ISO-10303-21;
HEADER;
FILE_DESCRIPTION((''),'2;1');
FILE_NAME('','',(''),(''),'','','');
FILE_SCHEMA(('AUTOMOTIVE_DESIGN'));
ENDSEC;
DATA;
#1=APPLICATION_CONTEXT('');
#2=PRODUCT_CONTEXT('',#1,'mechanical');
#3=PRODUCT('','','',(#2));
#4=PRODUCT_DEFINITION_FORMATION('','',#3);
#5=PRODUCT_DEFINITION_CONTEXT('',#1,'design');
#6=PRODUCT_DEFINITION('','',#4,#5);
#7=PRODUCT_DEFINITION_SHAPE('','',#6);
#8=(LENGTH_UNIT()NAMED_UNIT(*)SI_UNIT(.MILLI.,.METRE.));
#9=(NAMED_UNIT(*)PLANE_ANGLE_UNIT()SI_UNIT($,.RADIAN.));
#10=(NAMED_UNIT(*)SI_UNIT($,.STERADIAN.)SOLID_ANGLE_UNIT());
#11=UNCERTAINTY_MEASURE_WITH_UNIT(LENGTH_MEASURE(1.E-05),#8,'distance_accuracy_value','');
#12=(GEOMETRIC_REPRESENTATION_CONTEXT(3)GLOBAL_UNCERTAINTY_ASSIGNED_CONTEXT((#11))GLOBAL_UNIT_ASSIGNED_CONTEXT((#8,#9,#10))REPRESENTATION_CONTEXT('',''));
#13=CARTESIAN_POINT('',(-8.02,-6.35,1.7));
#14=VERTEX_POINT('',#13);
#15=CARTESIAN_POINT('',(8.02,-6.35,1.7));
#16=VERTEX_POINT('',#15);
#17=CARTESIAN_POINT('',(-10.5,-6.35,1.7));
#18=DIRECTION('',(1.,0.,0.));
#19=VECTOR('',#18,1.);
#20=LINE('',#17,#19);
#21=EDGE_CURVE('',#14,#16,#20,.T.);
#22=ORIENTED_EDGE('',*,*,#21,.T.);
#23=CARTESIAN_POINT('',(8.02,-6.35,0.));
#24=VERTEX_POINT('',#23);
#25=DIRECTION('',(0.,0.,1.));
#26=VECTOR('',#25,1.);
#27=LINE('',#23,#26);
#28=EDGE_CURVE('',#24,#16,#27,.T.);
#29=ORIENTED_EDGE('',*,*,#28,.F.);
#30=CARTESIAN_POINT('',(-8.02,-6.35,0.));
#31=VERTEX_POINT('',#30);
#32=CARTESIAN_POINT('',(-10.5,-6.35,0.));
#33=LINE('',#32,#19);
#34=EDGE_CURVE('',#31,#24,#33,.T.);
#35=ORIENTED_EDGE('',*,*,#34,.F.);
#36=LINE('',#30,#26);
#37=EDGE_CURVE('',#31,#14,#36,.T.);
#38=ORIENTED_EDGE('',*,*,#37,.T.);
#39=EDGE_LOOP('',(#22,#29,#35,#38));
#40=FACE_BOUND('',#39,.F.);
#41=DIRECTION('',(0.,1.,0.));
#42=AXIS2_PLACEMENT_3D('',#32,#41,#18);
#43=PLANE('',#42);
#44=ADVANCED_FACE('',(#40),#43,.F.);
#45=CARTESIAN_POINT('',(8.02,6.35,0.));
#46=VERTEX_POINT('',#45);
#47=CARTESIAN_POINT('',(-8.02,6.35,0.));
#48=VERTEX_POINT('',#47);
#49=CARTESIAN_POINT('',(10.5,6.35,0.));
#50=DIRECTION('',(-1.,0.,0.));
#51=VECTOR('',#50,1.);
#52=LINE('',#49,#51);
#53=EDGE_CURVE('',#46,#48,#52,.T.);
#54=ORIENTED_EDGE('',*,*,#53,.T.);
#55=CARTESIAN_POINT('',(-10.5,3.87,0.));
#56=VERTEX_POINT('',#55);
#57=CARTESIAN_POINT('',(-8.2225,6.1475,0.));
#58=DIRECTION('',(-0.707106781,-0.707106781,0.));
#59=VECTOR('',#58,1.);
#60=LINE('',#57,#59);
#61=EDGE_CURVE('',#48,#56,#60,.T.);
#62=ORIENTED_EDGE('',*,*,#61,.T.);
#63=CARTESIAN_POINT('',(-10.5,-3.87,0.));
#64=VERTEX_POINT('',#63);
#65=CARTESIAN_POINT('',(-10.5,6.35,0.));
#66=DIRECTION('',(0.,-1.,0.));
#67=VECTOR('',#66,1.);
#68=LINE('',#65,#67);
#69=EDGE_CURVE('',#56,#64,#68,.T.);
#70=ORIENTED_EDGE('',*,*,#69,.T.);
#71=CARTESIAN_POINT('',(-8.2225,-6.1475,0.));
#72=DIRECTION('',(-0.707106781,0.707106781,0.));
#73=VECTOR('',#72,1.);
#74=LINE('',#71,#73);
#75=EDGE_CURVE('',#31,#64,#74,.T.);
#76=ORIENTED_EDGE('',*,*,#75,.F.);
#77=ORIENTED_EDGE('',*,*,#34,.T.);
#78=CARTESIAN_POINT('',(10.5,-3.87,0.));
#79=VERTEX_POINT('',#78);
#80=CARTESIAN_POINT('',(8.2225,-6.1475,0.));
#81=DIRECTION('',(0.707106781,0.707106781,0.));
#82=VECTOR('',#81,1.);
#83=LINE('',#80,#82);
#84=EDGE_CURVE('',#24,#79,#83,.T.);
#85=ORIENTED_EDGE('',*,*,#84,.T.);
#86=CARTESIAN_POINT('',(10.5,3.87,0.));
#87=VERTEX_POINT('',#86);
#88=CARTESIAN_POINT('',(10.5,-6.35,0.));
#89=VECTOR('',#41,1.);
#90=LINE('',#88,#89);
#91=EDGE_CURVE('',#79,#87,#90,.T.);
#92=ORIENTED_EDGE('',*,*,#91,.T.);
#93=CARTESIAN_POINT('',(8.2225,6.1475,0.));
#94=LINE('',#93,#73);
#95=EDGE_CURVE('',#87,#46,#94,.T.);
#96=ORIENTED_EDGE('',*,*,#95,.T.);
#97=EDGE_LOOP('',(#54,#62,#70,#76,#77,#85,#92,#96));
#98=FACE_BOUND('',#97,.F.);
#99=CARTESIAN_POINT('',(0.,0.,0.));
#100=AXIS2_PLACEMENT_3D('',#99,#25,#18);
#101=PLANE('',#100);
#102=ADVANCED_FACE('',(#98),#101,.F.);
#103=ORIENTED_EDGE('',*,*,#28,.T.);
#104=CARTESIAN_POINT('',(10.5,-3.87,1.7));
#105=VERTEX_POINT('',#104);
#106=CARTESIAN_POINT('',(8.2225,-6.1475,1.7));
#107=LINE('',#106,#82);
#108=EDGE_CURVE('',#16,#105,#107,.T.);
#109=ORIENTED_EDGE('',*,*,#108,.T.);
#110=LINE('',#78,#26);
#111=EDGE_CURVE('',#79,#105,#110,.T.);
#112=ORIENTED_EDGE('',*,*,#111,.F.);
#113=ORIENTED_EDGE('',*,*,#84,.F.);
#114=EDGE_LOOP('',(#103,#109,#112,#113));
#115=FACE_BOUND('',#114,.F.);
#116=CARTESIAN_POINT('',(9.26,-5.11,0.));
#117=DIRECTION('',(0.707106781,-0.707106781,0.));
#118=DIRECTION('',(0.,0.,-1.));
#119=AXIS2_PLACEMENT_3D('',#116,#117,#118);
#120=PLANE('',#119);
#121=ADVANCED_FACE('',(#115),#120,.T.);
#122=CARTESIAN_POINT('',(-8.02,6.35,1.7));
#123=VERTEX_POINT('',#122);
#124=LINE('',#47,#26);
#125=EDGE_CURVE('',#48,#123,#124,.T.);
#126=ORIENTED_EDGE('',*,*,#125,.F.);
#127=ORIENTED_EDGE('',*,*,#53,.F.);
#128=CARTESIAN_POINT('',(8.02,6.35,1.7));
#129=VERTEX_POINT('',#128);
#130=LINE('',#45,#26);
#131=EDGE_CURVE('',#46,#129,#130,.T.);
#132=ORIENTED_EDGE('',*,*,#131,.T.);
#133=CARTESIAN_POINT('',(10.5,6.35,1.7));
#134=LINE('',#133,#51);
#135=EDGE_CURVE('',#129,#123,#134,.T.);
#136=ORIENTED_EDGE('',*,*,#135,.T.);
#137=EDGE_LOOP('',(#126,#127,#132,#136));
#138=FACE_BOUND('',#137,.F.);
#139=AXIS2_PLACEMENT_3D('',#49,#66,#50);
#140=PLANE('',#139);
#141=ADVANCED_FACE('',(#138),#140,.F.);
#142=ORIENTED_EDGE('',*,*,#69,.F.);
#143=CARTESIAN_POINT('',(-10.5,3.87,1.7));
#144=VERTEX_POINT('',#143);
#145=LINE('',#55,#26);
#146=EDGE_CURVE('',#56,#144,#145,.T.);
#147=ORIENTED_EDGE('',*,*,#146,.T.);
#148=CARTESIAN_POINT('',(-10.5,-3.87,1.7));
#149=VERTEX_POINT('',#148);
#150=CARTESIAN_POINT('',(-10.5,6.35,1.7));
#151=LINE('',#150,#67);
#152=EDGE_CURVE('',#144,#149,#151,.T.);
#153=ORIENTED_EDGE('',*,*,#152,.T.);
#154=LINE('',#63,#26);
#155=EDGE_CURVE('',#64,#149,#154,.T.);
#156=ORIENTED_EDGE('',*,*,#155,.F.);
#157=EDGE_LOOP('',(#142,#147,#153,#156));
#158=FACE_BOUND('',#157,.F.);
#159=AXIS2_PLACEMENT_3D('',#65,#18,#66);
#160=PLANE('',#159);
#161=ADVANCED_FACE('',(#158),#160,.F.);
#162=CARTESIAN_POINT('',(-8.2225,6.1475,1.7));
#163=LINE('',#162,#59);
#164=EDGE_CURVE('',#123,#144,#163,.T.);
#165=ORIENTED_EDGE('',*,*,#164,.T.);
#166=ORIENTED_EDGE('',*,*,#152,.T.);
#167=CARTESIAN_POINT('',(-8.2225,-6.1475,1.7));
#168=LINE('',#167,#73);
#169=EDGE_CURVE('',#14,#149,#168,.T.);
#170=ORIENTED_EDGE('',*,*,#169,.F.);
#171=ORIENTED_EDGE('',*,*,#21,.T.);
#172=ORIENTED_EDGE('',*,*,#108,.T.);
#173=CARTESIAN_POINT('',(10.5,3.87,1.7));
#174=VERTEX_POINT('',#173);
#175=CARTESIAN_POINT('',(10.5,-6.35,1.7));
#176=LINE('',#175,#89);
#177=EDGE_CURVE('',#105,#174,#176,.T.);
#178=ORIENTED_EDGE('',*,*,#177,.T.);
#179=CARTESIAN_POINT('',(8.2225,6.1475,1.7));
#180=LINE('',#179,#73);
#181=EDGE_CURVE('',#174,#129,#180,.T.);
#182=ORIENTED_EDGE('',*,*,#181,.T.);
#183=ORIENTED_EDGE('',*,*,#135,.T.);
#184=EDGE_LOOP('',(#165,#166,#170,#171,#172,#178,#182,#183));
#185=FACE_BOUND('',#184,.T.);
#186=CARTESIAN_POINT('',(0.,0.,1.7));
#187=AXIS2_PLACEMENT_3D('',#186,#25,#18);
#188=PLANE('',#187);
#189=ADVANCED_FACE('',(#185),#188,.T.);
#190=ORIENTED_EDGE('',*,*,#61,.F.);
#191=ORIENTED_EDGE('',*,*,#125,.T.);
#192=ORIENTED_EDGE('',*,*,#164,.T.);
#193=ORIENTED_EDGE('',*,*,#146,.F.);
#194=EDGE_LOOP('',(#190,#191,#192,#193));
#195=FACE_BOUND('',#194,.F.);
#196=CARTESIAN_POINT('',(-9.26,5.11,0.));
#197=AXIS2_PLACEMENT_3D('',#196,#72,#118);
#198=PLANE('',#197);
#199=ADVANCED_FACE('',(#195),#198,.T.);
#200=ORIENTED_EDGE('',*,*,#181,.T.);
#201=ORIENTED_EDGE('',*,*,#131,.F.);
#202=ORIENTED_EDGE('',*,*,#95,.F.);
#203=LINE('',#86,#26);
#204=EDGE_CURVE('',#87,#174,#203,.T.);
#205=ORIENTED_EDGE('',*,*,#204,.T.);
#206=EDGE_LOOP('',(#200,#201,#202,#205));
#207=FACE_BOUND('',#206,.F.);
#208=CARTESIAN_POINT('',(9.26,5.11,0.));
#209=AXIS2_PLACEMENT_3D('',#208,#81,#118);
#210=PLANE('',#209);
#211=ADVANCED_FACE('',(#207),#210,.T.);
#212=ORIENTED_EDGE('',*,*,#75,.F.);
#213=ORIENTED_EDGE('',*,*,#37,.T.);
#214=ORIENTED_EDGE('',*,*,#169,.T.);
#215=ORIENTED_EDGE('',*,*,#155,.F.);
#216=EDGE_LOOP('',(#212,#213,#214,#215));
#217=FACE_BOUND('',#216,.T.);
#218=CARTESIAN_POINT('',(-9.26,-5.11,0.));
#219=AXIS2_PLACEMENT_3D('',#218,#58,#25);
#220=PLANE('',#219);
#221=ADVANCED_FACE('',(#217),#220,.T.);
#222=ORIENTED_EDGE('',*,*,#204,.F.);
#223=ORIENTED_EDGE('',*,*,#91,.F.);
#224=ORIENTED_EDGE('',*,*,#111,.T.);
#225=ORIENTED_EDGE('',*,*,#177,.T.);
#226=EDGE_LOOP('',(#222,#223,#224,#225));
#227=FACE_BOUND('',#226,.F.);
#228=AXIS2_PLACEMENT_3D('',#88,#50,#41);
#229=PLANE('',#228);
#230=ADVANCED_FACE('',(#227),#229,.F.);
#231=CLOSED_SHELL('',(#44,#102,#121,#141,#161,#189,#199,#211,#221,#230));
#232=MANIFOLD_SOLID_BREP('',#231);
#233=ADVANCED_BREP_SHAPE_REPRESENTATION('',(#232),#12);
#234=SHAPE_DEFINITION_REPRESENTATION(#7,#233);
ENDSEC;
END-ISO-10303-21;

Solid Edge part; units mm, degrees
sketch "Sketch1" plane through (0, 0, 0) normal (0, 0, 1) x (1, 0, 0)
  line L0 (-10.5, -6.35) -> (10.5, -6.35)
  line L1 (10.5, -6.35) -> (10.5, 6.35)
  line L2 (10.5, 6.35) -> (-10.5, 6.35)
  line L3 (-10.5, 6.35) -> (-10.5, -6.35)
extrude "Protrusion1" add sketch "Sketch1" along normal blind 1.7
chamfer "Chamfer_1" distance 2.48 angle 45 4 edges at (-10.5, -6.35, 0.85) (10.5, -6.35, 0.85) (10.5, 6.35, 0.85) (-10.5, 6.35, 0.85)
